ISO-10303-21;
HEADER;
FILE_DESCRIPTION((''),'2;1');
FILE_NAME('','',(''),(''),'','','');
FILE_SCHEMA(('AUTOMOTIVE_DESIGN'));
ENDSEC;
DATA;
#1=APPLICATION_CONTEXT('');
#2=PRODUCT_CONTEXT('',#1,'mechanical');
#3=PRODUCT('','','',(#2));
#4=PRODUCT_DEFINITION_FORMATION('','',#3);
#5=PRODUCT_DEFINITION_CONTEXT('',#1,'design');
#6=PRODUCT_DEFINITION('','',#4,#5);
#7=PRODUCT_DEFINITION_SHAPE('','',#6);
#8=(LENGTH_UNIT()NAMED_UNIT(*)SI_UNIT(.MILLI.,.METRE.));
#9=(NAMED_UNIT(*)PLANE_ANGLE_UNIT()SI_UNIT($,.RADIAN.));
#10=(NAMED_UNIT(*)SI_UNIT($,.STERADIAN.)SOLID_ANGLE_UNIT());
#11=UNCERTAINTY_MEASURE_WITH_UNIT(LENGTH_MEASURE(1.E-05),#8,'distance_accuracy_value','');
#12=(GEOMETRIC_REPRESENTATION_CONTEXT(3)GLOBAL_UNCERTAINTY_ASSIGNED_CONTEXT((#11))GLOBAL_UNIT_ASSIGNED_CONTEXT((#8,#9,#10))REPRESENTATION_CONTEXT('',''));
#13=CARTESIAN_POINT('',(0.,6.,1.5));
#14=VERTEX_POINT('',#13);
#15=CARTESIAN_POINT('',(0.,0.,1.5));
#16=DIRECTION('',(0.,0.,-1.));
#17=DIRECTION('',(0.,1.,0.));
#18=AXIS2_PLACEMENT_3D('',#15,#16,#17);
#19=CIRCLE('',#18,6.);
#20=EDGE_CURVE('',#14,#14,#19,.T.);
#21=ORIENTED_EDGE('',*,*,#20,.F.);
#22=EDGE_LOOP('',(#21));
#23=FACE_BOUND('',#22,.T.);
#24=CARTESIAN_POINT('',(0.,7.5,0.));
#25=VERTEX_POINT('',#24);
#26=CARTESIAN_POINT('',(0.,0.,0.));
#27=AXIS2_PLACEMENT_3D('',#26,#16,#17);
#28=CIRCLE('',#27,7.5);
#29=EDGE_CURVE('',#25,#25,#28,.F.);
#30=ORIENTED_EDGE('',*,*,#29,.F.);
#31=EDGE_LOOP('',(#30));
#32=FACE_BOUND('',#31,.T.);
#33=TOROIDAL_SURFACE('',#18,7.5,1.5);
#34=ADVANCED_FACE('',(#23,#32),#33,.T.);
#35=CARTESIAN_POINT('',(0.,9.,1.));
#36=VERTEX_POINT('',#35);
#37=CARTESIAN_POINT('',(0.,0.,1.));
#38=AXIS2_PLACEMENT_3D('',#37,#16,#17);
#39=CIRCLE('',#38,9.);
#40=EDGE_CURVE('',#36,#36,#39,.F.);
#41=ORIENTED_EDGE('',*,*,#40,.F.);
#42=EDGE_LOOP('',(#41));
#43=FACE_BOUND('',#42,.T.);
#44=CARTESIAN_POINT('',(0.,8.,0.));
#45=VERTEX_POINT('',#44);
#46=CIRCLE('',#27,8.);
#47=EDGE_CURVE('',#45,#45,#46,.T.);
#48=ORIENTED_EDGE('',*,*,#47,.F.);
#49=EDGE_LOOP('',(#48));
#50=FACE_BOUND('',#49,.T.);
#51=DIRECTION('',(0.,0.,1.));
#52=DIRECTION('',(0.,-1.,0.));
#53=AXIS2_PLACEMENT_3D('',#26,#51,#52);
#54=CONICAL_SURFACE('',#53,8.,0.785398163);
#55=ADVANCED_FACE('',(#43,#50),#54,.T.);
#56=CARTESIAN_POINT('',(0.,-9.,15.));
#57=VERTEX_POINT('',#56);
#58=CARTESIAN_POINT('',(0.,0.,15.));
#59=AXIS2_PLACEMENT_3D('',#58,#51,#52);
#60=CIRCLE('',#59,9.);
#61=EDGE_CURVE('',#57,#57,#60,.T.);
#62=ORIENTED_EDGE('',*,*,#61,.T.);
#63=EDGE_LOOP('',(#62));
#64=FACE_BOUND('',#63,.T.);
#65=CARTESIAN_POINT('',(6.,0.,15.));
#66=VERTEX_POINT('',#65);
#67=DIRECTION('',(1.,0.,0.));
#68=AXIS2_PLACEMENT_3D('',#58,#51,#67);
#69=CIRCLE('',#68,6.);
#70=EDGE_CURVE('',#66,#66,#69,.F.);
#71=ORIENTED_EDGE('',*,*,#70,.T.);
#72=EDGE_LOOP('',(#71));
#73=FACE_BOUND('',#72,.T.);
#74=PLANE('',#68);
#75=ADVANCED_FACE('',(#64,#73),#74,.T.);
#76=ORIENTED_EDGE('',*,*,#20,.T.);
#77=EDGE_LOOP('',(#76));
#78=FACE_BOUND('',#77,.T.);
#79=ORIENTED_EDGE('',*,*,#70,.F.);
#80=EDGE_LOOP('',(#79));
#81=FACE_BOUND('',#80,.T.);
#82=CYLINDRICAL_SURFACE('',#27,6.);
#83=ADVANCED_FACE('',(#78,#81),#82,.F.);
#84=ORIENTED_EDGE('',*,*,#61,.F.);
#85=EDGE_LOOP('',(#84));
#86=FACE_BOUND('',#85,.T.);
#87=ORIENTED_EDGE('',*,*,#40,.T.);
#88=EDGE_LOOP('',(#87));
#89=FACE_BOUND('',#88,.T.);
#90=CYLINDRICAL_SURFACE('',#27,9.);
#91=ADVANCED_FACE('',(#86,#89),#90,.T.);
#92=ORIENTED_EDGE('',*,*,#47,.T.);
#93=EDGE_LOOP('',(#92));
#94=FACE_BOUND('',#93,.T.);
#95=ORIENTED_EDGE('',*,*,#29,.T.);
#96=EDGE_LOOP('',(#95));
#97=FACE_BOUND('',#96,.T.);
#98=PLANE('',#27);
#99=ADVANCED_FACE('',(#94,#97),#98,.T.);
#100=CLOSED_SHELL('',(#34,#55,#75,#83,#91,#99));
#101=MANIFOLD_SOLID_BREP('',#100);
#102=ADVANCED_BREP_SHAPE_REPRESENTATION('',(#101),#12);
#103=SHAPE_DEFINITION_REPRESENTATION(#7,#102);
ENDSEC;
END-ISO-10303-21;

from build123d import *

# Parameters (mm, degrees)
SKETCH_1_W     = 15
SKETCH_1_H     = 3
SKETCH_2_W     = 3
SKETCH_2_H     = 6.5
SKETCH_3_W     = 3
SKETCH_3_H     = 9
CHAMFER_1_SIZE = 1
FILLET_2_R     = 1.5


with BuildPart() as part:
    # 草图1 → 旋转1 (revolve)
    with BuildSketch(Plane(origin=(0, 0, 0), x_dir=(0, 0, -1), z_dir=(1, 0, 0)), mode=Mode.PRIVATE) as revolve_1_sk:
        with Locations((-7.5, -7.5)):
            Rectangle(SKETCH_1_W, SKETCH_1_H)
        Polygon((-15, -9), (-15, -6), (-15, 0), (-18, 0), (-18, -9), align=None)
    revolve(revolve_1_sk.sketch.rotate(Axis((0, 0, 0), (0, 0, 1)), 180), axis=Axis((0, 0, 0), (0, 0, 1)))

    # 草图2 → 切除-旋转1 (revolve, cut)
    with BuildSketch(Plane(origin=(0, 0, 0), x_dir=(0, 0, -1), z_dir=(1, 0, 0)), mode=Mode.PRIVATE) as cut_revolve_1_sk:
        with Locations((-16.5, -3.25)):
            Rectangle(SKETCH_2_W, SKETCH_2_H)
    revolve(cut_revolve_1_sk.sketch.rotate(Axis((0, 0, 18), (0, 0, -1)), 270), axis=Axis((0, 0, 18), (0, 0, -1)), mode=Mode.SUBTRACT)

    # 草图3 → 切除-旋转2 (revolve, cut)
    with BuildSketch(Plane(origin=(0, 0, 0), x_dir=(0, 0, -1), z_dir=(1, 0, 0)), mode=Mode.PRIVATE) as cut_revolve_2_sk:
        with Locations((-16.5, -4.5)):
            Rectangle(SKETCH_3_W, SKETCH_3_H)
    revolve(cut_revolve_2_sk.sketch.rotate(Axis((0, 0, 18), (0, 0, -1)), 180), axis=Axis((0, 0, 18), (0, 0, -1)), mode=Mode.SUBTRACT)

    # 倒角1
    chamfer_1_edges = [part.edges().sort_by_distance(p)[0] for p in [
        (0, -9, 0),
    ]]
    chamfer(chamfer_1_edges, length=CHAMFER_1_SIZE)

    # 圆角2
    fillet_2_edges = [part.edges().sort_by_distance(p)[0] for p in [
        (0, -6, 0),
    ]]
    fillet(fillet_2_edges, radius=FILLET_2_R)


solid = part.part
